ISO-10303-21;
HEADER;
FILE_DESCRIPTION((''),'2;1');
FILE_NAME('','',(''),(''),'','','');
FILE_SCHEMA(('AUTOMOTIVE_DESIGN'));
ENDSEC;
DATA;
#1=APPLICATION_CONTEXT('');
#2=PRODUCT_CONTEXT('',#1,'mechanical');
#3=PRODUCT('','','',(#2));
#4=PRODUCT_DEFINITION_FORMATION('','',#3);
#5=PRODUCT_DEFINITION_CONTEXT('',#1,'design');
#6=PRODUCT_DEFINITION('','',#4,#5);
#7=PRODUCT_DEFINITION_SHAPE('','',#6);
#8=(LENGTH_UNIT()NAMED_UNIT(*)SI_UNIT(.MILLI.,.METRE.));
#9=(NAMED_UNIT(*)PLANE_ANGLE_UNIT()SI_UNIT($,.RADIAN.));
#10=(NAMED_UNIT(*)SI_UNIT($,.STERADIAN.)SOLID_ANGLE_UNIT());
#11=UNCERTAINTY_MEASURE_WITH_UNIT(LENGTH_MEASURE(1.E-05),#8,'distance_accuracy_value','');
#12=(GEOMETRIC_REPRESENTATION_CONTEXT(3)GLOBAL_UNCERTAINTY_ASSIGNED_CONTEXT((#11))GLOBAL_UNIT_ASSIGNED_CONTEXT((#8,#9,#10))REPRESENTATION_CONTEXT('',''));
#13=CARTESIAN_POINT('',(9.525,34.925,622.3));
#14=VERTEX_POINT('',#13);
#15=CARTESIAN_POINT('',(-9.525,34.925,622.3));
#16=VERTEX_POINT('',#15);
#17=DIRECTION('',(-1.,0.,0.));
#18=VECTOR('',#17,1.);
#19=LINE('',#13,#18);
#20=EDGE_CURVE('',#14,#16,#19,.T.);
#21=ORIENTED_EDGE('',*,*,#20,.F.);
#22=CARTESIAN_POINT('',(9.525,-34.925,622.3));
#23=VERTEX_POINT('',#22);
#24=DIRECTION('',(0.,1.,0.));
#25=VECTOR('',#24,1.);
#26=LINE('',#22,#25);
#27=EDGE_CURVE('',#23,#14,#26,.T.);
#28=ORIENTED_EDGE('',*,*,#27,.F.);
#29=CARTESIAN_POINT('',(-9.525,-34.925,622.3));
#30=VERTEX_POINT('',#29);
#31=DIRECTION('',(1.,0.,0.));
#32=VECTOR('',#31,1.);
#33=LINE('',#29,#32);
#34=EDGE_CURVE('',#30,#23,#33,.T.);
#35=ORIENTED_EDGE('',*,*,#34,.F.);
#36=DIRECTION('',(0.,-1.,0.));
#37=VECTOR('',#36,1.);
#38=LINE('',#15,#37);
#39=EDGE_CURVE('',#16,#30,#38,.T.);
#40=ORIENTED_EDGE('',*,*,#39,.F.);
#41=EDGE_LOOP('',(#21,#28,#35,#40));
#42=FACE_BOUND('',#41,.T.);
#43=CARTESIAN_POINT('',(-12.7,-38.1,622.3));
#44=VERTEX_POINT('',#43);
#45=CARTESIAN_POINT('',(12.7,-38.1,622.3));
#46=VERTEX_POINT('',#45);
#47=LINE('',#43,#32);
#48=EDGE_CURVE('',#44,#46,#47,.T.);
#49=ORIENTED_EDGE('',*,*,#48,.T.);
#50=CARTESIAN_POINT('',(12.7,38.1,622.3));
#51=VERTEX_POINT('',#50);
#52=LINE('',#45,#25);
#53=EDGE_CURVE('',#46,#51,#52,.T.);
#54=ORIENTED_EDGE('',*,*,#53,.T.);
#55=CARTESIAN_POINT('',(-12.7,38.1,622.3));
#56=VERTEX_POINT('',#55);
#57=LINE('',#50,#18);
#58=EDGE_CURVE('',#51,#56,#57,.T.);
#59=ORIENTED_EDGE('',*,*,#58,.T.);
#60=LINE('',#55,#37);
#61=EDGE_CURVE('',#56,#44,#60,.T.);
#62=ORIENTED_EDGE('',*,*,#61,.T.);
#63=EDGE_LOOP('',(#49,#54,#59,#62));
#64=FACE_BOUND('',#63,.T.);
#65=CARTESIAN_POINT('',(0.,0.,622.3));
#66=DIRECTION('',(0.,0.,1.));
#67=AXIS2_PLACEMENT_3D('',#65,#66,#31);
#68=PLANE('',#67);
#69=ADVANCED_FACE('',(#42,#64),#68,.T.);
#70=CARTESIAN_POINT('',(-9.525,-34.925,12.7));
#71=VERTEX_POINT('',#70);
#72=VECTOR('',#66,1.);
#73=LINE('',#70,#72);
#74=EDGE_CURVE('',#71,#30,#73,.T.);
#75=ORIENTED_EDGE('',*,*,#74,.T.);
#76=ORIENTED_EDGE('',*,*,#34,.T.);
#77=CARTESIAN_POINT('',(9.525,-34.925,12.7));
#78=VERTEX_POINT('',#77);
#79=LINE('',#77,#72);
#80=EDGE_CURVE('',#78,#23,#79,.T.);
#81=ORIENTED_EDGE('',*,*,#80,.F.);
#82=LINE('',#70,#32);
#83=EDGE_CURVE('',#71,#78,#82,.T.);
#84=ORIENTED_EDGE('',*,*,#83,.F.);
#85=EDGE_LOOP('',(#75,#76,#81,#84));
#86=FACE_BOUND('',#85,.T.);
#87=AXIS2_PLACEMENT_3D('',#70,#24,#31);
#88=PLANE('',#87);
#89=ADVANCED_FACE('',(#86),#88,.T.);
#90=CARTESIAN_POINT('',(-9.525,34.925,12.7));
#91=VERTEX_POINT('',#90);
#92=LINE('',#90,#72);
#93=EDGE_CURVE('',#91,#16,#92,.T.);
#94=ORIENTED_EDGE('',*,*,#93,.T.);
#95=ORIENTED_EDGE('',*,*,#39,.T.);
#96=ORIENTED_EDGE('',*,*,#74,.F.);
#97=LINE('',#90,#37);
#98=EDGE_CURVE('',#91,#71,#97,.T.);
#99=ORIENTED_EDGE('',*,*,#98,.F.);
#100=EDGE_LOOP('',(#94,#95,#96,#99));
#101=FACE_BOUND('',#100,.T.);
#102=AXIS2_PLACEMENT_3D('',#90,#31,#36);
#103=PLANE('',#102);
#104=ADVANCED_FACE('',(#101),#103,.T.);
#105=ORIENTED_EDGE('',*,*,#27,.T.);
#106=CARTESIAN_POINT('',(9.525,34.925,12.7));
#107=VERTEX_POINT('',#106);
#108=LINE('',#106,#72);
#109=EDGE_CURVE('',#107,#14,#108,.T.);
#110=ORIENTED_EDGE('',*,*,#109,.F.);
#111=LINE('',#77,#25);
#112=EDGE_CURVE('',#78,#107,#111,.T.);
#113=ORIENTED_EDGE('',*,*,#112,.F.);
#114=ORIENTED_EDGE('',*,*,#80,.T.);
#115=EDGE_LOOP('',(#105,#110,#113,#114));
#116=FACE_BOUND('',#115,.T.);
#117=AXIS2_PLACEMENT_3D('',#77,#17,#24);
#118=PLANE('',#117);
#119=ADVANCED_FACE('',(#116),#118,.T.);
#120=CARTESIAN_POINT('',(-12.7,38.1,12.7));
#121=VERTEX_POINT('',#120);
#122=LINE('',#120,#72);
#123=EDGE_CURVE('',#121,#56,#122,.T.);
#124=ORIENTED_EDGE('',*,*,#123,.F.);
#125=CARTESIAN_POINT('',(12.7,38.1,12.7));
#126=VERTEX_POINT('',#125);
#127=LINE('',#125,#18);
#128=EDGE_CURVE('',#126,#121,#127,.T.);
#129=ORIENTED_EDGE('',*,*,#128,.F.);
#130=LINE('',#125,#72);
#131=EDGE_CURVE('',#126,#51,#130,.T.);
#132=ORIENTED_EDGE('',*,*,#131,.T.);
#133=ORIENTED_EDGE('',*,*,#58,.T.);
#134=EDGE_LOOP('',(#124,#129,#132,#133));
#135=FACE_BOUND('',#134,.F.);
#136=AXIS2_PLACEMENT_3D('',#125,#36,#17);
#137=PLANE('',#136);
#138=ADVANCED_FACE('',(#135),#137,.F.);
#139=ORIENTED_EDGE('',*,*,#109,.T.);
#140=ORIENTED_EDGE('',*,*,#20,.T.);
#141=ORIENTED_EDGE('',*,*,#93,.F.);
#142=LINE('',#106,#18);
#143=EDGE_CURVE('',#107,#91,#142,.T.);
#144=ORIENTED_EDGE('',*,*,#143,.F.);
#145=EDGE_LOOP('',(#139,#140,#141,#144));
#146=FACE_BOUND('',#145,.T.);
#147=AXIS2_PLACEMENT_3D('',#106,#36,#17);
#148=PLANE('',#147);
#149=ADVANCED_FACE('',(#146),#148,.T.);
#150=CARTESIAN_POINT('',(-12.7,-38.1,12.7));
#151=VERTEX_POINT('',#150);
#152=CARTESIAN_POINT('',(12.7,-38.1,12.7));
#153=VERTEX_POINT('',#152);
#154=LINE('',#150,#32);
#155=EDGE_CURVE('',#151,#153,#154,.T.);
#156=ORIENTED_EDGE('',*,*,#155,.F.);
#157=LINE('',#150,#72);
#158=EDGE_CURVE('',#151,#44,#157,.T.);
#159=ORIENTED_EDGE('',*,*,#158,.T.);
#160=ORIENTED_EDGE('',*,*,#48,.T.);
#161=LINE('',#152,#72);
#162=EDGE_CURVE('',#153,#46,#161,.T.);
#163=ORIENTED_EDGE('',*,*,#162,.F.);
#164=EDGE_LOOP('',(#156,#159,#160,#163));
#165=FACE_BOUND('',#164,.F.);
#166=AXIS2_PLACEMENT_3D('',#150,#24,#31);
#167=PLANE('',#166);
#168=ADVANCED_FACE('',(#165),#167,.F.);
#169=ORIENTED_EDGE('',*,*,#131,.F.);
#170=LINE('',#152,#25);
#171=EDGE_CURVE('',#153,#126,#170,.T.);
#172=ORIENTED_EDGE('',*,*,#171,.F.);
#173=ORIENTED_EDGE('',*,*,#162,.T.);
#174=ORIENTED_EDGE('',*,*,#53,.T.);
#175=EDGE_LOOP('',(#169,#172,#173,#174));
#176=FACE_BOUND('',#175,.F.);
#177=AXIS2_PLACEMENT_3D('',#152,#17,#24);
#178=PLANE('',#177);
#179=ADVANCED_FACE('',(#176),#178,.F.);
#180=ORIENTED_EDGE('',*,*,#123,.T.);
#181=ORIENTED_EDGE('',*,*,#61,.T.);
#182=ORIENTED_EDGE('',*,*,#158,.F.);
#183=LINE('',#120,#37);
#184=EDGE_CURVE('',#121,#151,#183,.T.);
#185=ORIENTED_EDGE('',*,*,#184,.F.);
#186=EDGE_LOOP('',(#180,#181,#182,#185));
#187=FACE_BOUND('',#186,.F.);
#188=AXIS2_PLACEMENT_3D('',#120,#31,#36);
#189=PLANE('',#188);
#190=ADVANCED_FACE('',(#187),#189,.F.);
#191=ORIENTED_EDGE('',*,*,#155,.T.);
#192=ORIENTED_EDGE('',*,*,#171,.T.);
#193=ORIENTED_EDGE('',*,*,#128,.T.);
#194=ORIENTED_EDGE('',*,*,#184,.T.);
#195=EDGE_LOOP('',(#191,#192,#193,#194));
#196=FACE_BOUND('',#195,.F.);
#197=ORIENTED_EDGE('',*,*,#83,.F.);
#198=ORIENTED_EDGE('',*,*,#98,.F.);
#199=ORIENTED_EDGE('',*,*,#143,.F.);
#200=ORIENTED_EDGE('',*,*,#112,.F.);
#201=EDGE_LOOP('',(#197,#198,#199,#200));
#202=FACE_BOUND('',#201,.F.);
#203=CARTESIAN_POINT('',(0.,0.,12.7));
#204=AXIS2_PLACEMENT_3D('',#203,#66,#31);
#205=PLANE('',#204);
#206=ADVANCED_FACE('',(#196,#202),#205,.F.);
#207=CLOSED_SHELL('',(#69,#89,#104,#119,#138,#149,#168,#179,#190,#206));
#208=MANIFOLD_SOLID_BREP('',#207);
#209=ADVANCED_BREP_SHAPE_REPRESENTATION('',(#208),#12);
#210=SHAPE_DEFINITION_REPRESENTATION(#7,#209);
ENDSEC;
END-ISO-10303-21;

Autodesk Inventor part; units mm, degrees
ref_plane "Start Plane" through (0, 0, 12.7) normal (0, 0, 1) x (1, 0, 0)
ref_plane "End Plane" through (0, 0, 622.3) normal (0, 0, 1) x (1, 0, 0)
sketch "Sketch" plane through (0, 0, 0) normal (0, 0, 1) x (1, 0, 0)
  line L0 (-12.7, -38.1) -> (12.7, -38.1)
  line L1 (12.7, -38.1) -> (12.7, 38.1)
  line L2 (12.7, 38.1) -> (-12.7, 38.1)
  line L3 (-12.7, 38.1) -> (-12.7, -38.1)
  line L4 (-12.7, -38.1) -> (12.7, 38.1) construction
  line L5 (12.7, -38.1) -> (-12.7, 38.1) construction
  line L6 (-9.525, -34.925) -> (9.525, -34.925)
  line L7 (9.525, -34.925) -> (9.525, 34.925)
  line L8 (9.525, 34.925) -> (-9.525, 34.925)
  line L9 (-9.525, 34.925) -> (-9.525, -34.925)
  line L10 (-9.525, -34.925) -> (9.525, 34.925) construction
  line L11 (9.525, -34.925) -> (-9.525, 34.925) construction
  point P0 (0, 0)
  dimension "d0" = 25.4
  dimension "d1" = 76.2
  dimension "d2" = 3.175
  dimension "d3" = 3.175
extrude "Body" add sketch "Sketch" along normal up to surface (609.6 mm away) from surface at 12.7
sketch "Sketch6" plane through (0, 0, 0) normal (0, 0, 1) x (1, 0, 0)
  line L0 (0, 0) -> (10, 0)
ref_plane "Work Plane5" through (0, 0, 0) normal (0, -1, 0) x (1, 0, 0)
sketch "Sketch7" plane through (0, 0, 0) normal (0, -1, 0) x (1, 0, 0)
  line L0 (-2, 12.7) -> (12, 12.7)
  line L1 (-2, 622.3) -> (12, 622.3)
  dimension "d11" = 609.6
ref_plane "Work Plane6" through (-12.7, 0, 622.3) normal (0, 0, 1) x (1, 0, 0)
split "Split1" plane through (-12.7, 0, 622.3) removes the side toward (0, 0, 1)
ref_plane "Work Plane7" through (711.2, 0, 12.7) normal (0, 0, -1) x (-1, 0, 0)
split "Split2" plane through (711.2, 0, 12.7) removes the side toward (0, 0, -1)
equation "\"d0\" = Width"
equation "\"d1\" = Height"
equation "\"d2\" = Thickness"
equation "\"d3\" = Thickness"
equation "\"Height\" = 76.2"
equation "\"Width\" = 25.4"
equation "\"Thickness\" = 3.175"
equation "\"BaseLength\" = 635"
equation "\"G_OFFSET_START\" = -12.7"
equation "\"G_OFFSET_END\" = -12.7"
equation "\"d6\" = -G_OFFSET_START"
equation "\"d7\" = BaseLength + G_OFFSET_END"
equation "\"G_L\" = d11"
properties part number "AL RECT TUBE 3 x 1 x 0.125" material "Aluminum 6061"
